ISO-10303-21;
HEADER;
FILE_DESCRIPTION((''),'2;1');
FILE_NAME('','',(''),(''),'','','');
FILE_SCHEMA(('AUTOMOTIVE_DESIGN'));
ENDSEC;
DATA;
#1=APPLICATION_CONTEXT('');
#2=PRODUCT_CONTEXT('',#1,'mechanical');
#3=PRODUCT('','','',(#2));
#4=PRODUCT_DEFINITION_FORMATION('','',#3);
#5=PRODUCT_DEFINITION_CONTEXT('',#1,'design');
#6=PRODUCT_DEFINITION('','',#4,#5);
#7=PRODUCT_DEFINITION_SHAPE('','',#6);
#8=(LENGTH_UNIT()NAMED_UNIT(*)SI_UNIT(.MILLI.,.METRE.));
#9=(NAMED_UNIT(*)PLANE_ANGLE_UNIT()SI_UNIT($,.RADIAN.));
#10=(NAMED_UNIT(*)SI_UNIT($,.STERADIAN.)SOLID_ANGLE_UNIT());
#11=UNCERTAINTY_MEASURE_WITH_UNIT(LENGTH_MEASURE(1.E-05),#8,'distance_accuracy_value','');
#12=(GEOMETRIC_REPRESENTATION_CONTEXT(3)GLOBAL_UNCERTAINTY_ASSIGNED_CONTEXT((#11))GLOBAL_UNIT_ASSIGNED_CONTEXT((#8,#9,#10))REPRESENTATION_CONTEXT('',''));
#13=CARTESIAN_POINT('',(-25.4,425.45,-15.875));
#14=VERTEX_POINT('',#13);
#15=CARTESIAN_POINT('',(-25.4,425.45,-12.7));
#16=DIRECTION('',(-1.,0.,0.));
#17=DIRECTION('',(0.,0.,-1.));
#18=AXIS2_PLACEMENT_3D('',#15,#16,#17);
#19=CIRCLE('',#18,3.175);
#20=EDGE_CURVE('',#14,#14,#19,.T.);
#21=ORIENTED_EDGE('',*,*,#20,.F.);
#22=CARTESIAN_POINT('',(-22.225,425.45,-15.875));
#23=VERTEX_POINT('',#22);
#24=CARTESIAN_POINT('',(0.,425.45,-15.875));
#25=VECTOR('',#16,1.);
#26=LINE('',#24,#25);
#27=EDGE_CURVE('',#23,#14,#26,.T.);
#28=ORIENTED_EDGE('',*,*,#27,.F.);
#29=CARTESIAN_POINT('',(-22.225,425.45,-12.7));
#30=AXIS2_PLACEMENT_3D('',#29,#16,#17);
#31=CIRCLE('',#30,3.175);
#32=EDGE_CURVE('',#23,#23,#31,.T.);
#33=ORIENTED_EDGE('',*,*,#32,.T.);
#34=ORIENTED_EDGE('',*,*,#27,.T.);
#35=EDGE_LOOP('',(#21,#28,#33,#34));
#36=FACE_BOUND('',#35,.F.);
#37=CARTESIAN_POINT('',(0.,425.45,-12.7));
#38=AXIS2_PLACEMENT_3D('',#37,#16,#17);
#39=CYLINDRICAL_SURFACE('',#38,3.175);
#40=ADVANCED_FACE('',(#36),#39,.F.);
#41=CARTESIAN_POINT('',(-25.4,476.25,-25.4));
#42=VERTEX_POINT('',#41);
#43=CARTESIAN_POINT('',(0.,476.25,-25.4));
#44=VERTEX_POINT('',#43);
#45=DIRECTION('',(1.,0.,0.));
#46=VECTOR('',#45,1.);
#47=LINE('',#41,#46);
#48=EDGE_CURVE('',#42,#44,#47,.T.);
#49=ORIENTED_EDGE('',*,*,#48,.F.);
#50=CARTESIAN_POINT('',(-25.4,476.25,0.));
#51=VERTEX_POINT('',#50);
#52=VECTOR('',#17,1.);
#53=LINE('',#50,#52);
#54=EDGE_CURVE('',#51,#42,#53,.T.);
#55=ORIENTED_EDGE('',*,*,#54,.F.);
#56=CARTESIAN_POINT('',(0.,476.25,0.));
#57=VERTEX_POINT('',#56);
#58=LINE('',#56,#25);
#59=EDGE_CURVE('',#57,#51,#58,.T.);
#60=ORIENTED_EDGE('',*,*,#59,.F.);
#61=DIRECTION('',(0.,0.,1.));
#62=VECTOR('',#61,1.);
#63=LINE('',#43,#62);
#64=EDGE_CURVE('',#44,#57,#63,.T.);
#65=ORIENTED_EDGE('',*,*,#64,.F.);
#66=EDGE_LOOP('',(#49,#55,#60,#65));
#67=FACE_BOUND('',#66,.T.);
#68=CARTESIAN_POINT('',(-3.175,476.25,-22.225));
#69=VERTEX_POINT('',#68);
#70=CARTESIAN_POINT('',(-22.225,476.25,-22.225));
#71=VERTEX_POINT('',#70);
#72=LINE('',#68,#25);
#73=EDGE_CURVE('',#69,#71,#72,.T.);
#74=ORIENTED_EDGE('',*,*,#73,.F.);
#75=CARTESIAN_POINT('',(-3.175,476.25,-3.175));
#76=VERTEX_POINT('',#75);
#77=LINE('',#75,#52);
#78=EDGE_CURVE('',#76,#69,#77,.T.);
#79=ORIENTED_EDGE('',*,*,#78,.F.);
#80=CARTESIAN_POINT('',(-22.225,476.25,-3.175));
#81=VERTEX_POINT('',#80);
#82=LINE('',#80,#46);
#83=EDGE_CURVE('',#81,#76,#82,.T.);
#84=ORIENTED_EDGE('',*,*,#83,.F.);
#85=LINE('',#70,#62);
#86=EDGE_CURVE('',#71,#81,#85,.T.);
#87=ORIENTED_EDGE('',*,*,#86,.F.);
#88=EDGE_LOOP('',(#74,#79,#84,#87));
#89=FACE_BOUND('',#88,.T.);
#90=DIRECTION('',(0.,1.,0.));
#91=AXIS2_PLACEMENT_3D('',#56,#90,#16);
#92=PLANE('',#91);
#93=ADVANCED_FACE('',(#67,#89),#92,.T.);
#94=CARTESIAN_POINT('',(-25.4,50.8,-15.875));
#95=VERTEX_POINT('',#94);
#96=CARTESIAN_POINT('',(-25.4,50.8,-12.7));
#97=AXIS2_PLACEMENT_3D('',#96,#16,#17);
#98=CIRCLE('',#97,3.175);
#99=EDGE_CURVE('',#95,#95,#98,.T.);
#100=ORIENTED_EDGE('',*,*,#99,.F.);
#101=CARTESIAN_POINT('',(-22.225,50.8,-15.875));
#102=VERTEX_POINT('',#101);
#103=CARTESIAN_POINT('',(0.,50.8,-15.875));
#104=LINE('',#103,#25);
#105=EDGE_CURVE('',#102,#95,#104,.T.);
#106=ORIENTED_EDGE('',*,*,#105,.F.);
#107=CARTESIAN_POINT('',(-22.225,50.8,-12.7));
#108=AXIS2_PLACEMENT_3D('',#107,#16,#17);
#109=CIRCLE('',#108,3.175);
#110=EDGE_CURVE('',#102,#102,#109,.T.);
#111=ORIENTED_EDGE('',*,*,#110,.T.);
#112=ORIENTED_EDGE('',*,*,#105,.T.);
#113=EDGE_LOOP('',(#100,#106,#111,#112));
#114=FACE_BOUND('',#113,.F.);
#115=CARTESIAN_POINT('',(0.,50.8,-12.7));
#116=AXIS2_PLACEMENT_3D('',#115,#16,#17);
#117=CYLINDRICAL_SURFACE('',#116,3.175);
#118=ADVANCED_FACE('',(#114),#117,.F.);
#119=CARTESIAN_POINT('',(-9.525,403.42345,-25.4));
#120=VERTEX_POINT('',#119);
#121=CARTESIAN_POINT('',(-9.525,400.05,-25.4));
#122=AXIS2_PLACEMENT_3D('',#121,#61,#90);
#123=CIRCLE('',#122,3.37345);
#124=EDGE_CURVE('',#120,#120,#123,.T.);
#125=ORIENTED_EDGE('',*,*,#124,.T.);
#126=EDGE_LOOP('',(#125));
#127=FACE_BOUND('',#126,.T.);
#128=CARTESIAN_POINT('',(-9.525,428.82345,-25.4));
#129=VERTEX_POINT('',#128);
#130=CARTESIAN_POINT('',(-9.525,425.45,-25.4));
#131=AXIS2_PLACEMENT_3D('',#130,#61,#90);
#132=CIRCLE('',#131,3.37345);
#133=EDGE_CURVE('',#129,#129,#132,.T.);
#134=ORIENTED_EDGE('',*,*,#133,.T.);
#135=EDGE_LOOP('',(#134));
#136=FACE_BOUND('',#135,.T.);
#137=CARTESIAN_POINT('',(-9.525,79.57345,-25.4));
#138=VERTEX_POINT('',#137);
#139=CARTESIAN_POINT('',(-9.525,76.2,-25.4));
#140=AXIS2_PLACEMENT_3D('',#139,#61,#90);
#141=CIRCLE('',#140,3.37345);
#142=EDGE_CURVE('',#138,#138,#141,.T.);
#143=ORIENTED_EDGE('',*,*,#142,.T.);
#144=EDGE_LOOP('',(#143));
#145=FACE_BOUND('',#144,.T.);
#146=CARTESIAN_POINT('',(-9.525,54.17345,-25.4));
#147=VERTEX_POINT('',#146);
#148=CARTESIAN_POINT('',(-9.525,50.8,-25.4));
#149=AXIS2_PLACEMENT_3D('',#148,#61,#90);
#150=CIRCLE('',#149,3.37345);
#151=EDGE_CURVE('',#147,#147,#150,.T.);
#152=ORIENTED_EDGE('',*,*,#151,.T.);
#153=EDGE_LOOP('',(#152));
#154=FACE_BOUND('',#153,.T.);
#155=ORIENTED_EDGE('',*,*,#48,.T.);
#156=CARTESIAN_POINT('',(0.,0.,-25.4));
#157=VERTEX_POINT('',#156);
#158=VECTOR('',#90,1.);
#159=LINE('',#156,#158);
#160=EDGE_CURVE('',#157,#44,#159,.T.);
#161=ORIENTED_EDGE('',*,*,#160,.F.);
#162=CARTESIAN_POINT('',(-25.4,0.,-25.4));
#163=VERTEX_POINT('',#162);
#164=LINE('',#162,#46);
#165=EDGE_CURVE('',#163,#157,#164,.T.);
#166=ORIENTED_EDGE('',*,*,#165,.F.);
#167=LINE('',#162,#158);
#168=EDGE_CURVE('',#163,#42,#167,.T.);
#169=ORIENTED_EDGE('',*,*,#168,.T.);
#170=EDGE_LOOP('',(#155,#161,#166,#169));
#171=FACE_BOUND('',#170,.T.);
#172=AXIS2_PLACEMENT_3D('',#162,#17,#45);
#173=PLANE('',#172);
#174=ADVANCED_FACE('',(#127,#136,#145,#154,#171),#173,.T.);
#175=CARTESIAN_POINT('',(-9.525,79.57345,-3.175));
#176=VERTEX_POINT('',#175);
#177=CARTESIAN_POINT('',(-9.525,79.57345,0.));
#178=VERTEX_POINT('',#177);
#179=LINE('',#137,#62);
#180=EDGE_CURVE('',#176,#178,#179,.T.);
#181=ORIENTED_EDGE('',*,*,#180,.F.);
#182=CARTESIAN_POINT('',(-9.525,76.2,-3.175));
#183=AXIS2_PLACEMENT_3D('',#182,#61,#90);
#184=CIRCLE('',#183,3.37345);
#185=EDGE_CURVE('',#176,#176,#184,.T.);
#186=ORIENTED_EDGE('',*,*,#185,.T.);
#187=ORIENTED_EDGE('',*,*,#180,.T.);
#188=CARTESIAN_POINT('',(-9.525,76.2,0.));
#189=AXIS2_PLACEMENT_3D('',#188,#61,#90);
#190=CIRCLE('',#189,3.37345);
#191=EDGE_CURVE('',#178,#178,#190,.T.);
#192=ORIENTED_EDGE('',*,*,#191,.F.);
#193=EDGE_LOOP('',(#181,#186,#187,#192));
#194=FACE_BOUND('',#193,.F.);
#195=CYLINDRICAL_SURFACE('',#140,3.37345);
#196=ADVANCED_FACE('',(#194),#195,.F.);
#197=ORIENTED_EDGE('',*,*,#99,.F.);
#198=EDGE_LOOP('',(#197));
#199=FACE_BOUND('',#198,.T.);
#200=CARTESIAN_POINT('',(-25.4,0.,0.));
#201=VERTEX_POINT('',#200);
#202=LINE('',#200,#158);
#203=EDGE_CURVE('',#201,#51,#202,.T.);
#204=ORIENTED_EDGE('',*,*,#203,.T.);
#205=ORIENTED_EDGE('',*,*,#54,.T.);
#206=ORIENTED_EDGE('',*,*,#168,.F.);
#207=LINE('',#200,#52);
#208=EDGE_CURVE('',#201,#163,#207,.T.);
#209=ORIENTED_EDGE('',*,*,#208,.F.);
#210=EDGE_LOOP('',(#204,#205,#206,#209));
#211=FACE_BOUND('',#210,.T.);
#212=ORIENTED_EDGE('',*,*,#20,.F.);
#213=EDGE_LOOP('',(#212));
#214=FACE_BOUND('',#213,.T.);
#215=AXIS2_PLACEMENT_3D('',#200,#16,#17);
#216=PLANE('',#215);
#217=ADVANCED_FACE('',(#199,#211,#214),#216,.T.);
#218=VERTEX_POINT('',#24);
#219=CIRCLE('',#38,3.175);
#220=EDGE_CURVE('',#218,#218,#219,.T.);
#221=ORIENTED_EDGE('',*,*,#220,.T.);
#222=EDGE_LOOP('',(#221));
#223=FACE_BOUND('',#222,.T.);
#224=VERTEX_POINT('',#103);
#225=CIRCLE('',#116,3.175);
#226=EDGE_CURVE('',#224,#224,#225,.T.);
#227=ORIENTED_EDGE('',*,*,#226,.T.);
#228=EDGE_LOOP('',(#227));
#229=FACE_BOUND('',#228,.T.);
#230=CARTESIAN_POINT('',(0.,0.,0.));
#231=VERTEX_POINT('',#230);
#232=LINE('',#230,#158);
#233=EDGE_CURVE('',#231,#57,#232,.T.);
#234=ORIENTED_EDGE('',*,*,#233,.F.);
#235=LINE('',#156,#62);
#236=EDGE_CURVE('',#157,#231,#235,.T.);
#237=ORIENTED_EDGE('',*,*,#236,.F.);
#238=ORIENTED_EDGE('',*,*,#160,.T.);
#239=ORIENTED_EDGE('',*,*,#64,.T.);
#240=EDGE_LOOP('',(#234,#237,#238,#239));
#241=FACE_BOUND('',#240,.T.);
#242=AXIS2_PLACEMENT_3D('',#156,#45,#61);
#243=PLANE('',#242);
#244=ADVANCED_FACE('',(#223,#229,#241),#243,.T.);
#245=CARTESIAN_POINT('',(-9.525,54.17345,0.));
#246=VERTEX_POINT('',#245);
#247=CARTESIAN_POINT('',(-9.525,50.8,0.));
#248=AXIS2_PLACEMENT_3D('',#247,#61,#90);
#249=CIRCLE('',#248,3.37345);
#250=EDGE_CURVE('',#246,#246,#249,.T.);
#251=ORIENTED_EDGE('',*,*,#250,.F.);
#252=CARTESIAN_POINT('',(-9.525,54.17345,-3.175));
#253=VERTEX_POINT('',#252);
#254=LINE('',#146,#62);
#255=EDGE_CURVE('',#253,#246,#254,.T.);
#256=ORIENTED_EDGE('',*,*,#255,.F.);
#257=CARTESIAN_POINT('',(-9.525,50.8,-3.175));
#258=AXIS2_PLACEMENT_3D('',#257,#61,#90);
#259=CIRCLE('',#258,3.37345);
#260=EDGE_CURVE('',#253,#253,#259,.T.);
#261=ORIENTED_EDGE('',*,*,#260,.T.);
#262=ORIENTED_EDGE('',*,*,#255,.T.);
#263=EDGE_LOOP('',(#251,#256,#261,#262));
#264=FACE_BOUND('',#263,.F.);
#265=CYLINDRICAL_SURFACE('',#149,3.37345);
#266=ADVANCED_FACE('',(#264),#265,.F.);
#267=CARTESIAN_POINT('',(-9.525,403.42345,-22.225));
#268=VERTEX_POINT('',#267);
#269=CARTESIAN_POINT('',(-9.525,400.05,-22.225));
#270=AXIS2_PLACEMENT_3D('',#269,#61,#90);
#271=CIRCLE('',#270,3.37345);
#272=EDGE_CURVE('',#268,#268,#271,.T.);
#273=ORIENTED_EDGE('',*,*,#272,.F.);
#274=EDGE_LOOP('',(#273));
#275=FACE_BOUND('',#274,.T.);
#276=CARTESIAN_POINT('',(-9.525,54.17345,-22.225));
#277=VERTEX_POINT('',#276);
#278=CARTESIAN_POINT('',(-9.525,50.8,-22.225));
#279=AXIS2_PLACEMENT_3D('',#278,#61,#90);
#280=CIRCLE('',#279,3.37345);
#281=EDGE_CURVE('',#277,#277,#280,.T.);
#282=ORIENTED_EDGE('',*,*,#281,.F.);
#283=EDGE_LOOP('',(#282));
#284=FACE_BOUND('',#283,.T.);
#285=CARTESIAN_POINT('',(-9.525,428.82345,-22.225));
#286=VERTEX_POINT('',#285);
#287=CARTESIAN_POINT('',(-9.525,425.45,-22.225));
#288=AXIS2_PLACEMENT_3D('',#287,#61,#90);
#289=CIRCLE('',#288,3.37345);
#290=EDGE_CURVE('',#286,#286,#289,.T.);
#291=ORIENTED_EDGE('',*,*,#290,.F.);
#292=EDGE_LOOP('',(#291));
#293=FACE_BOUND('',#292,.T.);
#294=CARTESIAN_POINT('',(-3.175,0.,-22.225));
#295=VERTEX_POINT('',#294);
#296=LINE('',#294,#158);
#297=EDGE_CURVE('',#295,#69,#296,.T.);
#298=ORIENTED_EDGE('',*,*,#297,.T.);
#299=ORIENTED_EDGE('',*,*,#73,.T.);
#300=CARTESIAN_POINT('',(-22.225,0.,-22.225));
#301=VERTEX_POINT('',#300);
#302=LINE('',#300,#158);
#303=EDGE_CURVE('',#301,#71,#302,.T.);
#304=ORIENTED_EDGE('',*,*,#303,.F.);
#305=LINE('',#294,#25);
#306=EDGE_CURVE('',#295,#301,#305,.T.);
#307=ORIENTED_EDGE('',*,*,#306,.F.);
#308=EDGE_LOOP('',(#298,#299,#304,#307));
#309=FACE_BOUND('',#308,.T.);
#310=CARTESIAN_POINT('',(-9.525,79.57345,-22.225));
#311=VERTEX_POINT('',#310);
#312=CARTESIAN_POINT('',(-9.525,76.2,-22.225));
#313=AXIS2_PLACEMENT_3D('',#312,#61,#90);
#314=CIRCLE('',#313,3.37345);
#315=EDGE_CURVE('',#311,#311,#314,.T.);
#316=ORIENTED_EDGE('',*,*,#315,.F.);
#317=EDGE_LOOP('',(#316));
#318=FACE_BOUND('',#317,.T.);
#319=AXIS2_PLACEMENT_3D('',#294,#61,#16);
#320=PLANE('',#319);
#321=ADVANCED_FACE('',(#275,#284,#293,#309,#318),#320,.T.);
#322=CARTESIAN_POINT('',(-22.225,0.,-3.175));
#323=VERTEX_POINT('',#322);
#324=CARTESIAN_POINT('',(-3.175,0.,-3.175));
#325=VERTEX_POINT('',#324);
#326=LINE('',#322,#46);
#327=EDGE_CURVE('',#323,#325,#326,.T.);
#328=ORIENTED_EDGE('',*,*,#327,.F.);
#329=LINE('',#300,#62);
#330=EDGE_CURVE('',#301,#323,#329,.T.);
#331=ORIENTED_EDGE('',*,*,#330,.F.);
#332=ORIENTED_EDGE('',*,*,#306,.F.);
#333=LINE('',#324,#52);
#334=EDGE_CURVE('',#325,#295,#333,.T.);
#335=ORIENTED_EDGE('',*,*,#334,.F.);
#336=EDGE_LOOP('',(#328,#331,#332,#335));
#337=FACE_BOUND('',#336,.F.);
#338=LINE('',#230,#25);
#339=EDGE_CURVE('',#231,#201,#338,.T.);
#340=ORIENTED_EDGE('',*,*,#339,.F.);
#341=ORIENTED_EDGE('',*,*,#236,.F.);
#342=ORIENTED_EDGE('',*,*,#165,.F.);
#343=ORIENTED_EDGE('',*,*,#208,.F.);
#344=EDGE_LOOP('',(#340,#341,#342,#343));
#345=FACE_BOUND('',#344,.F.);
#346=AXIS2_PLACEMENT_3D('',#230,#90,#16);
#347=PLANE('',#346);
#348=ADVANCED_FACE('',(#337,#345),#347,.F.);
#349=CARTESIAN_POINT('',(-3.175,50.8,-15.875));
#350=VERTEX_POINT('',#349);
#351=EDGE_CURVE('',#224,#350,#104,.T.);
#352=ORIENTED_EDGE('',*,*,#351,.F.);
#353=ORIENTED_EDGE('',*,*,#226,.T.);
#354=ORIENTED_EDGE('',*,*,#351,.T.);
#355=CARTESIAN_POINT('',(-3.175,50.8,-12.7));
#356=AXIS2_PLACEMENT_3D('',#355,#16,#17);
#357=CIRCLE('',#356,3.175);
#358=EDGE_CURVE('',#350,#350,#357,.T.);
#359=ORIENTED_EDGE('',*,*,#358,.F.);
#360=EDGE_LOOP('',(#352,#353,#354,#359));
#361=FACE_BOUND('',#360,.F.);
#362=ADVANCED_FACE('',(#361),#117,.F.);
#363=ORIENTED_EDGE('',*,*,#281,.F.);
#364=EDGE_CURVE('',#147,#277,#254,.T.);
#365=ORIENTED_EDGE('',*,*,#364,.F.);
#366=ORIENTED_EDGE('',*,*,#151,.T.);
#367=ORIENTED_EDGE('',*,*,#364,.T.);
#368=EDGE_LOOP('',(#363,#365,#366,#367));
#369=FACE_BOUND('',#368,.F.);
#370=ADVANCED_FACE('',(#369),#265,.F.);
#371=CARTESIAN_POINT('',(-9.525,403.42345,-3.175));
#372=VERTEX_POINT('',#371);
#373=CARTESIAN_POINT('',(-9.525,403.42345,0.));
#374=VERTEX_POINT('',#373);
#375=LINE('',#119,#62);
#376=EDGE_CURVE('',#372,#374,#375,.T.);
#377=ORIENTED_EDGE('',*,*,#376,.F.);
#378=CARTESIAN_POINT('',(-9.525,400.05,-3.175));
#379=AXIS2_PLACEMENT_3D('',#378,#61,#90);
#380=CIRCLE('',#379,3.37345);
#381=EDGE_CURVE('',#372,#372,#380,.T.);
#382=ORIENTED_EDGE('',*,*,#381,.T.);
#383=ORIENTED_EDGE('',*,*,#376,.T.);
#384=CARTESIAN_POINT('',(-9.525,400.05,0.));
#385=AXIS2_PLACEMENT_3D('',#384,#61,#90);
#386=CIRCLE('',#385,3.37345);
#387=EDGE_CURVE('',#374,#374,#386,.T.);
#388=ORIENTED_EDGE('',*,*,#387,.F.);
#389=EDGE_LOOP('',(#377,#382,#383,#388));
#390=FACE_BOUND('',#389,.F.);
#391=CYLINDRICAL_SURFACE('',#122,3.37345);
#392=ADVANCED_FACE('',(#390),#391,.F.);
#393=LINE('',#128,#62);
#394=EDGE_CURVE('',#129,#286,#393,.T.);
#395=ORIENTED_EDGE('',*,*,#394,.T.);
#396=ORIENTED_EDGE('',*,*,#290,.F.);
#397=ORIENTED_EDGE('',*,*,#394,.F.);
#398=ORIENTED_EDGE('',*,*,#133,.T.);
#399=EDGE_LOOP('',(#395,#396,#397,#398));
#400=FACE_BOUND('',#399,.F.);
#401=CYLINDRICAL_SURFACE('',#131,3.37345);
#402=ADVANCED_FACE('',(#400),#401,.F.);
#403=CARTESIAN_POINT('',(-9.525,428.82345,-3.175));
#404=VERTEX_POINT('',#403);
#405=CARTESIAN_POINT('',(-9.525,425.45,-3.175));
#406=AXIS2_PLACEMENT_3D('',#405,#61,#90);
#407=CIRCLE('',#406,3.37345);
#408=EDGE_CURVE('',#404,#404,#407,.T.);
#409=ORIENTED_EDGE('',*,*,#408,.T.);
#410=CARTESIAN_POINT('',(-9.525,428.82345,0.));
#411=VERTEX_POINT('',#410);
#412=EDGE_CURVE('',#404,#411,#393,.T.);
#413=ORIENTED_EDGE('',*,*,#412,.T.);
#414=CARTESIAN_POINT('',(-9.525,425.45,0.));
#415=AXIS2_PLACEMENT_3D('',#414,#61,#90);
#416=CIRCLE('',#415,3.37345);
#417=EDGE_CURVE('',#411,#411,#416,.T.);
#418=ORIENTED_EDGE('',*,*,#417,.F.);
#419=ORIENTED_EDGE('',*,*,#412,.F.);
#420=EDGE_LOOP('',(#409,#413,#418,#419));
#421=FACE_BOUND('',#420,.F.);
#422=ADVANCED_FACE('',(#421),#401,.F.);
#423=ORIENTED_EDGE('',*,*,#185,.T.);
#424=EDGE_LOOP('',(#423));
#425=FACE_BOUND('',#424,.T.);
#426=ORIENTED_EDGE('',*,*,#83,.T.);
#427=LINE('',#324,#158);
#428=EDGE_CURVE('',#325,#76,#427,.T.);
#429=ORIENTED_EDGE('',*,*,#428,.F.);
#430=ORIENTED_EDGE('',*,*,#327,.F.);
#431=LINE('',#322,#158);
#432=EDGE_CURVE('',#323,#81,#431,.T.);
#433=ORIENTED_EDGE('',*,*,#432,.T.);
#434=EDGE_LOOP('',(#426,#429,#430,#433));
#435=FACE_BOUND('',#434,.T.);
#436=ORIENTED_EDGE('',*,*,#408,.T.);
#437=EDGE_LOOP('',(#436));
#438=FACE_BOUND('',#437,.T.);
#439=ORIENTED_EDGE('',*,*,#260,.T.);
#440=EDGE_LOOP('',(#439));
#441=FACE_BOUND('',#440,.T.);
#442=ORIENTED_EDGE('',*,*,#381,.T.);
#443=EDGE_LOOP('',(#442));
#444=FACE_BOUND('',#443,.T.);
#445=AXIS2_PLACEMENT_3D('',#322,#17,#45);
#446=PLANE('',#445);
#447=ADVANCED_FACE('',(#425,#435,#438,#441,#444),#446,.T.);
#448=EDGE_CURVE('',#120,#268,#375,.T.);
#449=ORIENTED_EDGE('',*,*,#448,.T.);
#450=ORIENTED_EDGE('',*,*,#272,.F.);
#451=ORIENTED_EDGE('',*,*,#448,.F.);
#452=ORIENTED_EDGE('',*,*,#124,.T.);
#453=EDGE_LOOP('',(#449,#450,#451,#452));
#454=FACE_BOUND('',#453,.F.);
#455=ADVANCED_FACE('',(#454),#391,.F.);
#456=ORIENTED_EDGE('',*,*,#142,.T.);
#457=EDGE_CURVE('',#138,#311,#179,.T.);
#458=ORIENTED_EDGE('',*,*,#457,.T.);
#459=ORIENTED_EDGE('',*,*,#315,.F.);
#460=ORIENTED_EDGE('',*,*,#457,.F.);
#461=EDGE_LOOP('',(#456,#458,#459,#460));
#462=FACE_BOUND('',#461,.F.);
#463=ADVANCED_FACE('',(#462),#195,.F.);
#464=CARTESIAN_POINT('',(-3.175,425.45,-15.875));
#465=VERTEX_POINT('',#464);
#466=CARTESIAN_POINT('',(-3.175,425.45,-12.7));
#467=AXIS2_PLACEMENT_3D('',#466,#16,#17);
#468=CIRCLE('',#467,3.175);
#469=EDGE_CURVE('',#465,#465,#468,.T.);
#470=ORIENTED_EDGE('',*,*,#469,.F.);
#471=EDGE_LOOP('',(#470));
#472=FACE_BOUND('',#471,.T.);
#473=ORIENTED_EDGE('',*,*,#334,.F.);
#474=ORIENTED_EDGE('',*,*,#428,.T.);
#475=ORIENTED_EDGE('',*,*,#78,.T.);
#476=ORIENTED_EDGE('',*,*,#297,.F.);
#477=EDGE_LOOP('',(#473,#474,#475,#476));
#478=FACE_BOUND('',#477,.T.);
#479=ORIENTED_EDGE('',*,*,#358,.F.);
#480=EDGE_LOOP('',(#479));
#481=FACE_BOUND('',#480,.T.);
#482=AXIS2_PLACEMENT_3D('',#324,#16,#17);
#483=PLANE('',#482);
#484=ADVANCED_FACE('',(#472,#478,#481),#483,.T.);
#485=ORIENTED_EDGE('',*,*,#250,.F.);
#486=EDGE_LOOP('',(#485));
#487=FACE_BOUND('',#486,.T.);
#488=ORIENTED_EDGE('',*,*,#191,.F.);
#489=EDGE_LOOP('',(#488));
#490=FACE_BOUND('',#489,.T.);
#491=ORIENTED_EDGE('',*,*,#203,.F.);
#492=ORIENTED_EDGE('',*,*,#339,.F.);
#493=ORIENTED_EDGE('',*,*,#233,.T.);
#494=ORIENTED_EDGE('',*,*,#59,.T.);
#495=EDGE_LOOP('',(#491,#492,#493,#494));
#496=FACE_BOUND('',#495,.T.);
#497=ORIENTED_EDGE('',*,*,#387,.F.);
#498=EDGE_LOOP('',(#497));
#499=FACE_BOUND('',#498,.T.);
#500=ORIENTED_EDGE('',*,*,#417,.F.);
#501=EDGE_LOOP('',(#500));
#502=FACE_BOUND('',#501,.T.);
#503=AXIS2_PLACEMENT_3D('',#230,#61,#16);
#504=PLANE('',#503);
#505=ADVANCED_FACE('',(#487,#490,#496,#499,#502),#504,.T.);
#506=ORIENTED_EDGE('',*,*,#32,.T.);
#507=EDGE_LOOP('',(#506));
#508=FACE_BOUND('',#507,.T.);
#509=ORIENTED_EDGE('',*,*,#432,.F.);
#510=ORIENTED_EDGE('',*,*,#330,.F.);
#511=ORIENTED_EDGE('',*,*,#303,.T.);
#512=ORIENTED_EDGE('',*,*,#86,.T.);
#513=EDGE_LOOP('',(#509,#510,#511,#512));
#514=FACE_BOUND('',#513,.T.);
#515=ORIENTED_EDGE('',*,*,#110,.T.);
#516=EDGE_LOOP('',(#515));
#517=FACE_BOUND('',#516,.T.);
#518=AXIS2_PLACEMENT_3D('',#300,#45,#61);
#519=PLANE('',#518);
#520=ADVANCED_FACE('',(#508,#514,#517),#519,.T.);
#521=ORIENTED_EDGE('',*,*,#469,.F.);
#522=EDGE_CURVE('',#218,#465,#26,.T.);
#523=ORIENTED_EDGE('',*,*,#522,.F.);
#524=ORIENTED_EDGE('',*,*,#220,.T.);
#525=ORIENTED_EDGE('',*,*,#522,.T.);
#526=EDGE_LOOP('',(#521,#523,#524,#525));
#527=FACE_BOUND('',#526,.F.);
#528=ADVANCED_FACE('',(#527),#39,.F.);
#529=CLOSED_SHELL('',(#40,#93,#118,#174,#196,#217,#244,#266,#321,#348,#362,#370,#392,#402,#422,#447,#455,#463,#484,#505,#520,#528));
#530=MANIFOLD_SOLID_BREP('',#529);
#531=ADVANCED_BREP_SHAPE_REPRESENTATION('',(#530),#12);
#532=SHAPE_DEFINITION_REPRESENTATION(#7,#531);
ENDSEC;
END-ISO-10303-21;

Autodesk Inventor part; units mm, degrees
ref_plane "YZ Plane" through (0, 0, 0) normal (1, 0, 0) x (0, 1, 0)
ref_plane "XZ Plane" through (0, 0, 0) normal (0, 1, 0) x (-1, 0, 0)
ref_plane "XY Plane" through (0, 0, 0) normal (0, 0, 1) x (1, 0, 0)
sketch "Sketch1" plane through (0, 0, 0) normal (0, 1, 0) x (-1, 0, 0)
  line L0 (0, 0) -> (25.4, 0)
  line L1 (25.4, 0) -> (25.4, -25.4)
  line L2 (25.4, -25.4) -> (0, -25.4)
  line L3 (0, -25.4) -> (0, 0)
  line L4 (22.225, -22.225) -> (22.225, -3.175)
  line L5 (22.225, -3.175) -> (3.175, -3.175)
  line L6 (3.175, -3.175) -> (3.175, -22.225)
  line L7 (3.175, -22.225) -> (22.225, -22.225)
  dimension "d0" = 25.4
  dimension "d1" = 25.4
  dimension "d2" = 3.175
extrude "Extrusion1" add sketch "Sketch1" along normal blind 476.25
sketch "Sketch2" plane through (0, 0, 0) normal (1, 0, 0) x (0, 0, -1)
  line L0 (0, 0) -> (0, 476.25) projected
  line L1 (25.4, 0) -> (0, 0) projected
  line L2 (0, 476.25) -> (25.4, 476.25) projected
  point P0 (12.7, 50.8)
  point P1 (12.7, 425.45)
  dimension "d6" = 12.7
  dimension "d9" = 12.7
  dimension "d10" = 50.8
  dimension "d12" = 50.8
hole "Hole1" at (0, 50.8, -12.7) at (0, 425.45, -12.7) direction (-1, 0, 0) diameter 6.35 end through all
sketch "Sketch3" plane through (0, 0, -25.4) normal (0, 0, -1) x (-1, 0, 0)
  line L0 (25.4, 0) -> (0, 0) projected
  line L1 (0, 476.25) -> (25.4, 476.25) projected
  line L2 (25.4, 0) -> (25.4, 476.25) projected
  point P0 (9.525, 50.8)
  point P1 (9.525, 425.45)
  point P2 (9.525, 400.05)
  point P3 (9.525, 76.2)
  dimension "d20" = 50.8
  dimension "d21" = 50.8
  dimension "d22" = 25.4
  dimension "d23" = 25.4
  dimension "d24" = 15.875
  dimension "d25" = 15.875
  dimension "d26" = 15.875
  dimension "d27" = 15.875
hole "Hole2" at (-9.525, 50.8, -25.4) at (-9.525, 425.45, -25.4) at (-9.525, 400.05, -25.4) at (-9.525, 76.2, -25.4) direction (0, 0, 1) diameter 6.7469 end through all
properties part number "15102898-16-P-0209" material "Aluminum 6061"
